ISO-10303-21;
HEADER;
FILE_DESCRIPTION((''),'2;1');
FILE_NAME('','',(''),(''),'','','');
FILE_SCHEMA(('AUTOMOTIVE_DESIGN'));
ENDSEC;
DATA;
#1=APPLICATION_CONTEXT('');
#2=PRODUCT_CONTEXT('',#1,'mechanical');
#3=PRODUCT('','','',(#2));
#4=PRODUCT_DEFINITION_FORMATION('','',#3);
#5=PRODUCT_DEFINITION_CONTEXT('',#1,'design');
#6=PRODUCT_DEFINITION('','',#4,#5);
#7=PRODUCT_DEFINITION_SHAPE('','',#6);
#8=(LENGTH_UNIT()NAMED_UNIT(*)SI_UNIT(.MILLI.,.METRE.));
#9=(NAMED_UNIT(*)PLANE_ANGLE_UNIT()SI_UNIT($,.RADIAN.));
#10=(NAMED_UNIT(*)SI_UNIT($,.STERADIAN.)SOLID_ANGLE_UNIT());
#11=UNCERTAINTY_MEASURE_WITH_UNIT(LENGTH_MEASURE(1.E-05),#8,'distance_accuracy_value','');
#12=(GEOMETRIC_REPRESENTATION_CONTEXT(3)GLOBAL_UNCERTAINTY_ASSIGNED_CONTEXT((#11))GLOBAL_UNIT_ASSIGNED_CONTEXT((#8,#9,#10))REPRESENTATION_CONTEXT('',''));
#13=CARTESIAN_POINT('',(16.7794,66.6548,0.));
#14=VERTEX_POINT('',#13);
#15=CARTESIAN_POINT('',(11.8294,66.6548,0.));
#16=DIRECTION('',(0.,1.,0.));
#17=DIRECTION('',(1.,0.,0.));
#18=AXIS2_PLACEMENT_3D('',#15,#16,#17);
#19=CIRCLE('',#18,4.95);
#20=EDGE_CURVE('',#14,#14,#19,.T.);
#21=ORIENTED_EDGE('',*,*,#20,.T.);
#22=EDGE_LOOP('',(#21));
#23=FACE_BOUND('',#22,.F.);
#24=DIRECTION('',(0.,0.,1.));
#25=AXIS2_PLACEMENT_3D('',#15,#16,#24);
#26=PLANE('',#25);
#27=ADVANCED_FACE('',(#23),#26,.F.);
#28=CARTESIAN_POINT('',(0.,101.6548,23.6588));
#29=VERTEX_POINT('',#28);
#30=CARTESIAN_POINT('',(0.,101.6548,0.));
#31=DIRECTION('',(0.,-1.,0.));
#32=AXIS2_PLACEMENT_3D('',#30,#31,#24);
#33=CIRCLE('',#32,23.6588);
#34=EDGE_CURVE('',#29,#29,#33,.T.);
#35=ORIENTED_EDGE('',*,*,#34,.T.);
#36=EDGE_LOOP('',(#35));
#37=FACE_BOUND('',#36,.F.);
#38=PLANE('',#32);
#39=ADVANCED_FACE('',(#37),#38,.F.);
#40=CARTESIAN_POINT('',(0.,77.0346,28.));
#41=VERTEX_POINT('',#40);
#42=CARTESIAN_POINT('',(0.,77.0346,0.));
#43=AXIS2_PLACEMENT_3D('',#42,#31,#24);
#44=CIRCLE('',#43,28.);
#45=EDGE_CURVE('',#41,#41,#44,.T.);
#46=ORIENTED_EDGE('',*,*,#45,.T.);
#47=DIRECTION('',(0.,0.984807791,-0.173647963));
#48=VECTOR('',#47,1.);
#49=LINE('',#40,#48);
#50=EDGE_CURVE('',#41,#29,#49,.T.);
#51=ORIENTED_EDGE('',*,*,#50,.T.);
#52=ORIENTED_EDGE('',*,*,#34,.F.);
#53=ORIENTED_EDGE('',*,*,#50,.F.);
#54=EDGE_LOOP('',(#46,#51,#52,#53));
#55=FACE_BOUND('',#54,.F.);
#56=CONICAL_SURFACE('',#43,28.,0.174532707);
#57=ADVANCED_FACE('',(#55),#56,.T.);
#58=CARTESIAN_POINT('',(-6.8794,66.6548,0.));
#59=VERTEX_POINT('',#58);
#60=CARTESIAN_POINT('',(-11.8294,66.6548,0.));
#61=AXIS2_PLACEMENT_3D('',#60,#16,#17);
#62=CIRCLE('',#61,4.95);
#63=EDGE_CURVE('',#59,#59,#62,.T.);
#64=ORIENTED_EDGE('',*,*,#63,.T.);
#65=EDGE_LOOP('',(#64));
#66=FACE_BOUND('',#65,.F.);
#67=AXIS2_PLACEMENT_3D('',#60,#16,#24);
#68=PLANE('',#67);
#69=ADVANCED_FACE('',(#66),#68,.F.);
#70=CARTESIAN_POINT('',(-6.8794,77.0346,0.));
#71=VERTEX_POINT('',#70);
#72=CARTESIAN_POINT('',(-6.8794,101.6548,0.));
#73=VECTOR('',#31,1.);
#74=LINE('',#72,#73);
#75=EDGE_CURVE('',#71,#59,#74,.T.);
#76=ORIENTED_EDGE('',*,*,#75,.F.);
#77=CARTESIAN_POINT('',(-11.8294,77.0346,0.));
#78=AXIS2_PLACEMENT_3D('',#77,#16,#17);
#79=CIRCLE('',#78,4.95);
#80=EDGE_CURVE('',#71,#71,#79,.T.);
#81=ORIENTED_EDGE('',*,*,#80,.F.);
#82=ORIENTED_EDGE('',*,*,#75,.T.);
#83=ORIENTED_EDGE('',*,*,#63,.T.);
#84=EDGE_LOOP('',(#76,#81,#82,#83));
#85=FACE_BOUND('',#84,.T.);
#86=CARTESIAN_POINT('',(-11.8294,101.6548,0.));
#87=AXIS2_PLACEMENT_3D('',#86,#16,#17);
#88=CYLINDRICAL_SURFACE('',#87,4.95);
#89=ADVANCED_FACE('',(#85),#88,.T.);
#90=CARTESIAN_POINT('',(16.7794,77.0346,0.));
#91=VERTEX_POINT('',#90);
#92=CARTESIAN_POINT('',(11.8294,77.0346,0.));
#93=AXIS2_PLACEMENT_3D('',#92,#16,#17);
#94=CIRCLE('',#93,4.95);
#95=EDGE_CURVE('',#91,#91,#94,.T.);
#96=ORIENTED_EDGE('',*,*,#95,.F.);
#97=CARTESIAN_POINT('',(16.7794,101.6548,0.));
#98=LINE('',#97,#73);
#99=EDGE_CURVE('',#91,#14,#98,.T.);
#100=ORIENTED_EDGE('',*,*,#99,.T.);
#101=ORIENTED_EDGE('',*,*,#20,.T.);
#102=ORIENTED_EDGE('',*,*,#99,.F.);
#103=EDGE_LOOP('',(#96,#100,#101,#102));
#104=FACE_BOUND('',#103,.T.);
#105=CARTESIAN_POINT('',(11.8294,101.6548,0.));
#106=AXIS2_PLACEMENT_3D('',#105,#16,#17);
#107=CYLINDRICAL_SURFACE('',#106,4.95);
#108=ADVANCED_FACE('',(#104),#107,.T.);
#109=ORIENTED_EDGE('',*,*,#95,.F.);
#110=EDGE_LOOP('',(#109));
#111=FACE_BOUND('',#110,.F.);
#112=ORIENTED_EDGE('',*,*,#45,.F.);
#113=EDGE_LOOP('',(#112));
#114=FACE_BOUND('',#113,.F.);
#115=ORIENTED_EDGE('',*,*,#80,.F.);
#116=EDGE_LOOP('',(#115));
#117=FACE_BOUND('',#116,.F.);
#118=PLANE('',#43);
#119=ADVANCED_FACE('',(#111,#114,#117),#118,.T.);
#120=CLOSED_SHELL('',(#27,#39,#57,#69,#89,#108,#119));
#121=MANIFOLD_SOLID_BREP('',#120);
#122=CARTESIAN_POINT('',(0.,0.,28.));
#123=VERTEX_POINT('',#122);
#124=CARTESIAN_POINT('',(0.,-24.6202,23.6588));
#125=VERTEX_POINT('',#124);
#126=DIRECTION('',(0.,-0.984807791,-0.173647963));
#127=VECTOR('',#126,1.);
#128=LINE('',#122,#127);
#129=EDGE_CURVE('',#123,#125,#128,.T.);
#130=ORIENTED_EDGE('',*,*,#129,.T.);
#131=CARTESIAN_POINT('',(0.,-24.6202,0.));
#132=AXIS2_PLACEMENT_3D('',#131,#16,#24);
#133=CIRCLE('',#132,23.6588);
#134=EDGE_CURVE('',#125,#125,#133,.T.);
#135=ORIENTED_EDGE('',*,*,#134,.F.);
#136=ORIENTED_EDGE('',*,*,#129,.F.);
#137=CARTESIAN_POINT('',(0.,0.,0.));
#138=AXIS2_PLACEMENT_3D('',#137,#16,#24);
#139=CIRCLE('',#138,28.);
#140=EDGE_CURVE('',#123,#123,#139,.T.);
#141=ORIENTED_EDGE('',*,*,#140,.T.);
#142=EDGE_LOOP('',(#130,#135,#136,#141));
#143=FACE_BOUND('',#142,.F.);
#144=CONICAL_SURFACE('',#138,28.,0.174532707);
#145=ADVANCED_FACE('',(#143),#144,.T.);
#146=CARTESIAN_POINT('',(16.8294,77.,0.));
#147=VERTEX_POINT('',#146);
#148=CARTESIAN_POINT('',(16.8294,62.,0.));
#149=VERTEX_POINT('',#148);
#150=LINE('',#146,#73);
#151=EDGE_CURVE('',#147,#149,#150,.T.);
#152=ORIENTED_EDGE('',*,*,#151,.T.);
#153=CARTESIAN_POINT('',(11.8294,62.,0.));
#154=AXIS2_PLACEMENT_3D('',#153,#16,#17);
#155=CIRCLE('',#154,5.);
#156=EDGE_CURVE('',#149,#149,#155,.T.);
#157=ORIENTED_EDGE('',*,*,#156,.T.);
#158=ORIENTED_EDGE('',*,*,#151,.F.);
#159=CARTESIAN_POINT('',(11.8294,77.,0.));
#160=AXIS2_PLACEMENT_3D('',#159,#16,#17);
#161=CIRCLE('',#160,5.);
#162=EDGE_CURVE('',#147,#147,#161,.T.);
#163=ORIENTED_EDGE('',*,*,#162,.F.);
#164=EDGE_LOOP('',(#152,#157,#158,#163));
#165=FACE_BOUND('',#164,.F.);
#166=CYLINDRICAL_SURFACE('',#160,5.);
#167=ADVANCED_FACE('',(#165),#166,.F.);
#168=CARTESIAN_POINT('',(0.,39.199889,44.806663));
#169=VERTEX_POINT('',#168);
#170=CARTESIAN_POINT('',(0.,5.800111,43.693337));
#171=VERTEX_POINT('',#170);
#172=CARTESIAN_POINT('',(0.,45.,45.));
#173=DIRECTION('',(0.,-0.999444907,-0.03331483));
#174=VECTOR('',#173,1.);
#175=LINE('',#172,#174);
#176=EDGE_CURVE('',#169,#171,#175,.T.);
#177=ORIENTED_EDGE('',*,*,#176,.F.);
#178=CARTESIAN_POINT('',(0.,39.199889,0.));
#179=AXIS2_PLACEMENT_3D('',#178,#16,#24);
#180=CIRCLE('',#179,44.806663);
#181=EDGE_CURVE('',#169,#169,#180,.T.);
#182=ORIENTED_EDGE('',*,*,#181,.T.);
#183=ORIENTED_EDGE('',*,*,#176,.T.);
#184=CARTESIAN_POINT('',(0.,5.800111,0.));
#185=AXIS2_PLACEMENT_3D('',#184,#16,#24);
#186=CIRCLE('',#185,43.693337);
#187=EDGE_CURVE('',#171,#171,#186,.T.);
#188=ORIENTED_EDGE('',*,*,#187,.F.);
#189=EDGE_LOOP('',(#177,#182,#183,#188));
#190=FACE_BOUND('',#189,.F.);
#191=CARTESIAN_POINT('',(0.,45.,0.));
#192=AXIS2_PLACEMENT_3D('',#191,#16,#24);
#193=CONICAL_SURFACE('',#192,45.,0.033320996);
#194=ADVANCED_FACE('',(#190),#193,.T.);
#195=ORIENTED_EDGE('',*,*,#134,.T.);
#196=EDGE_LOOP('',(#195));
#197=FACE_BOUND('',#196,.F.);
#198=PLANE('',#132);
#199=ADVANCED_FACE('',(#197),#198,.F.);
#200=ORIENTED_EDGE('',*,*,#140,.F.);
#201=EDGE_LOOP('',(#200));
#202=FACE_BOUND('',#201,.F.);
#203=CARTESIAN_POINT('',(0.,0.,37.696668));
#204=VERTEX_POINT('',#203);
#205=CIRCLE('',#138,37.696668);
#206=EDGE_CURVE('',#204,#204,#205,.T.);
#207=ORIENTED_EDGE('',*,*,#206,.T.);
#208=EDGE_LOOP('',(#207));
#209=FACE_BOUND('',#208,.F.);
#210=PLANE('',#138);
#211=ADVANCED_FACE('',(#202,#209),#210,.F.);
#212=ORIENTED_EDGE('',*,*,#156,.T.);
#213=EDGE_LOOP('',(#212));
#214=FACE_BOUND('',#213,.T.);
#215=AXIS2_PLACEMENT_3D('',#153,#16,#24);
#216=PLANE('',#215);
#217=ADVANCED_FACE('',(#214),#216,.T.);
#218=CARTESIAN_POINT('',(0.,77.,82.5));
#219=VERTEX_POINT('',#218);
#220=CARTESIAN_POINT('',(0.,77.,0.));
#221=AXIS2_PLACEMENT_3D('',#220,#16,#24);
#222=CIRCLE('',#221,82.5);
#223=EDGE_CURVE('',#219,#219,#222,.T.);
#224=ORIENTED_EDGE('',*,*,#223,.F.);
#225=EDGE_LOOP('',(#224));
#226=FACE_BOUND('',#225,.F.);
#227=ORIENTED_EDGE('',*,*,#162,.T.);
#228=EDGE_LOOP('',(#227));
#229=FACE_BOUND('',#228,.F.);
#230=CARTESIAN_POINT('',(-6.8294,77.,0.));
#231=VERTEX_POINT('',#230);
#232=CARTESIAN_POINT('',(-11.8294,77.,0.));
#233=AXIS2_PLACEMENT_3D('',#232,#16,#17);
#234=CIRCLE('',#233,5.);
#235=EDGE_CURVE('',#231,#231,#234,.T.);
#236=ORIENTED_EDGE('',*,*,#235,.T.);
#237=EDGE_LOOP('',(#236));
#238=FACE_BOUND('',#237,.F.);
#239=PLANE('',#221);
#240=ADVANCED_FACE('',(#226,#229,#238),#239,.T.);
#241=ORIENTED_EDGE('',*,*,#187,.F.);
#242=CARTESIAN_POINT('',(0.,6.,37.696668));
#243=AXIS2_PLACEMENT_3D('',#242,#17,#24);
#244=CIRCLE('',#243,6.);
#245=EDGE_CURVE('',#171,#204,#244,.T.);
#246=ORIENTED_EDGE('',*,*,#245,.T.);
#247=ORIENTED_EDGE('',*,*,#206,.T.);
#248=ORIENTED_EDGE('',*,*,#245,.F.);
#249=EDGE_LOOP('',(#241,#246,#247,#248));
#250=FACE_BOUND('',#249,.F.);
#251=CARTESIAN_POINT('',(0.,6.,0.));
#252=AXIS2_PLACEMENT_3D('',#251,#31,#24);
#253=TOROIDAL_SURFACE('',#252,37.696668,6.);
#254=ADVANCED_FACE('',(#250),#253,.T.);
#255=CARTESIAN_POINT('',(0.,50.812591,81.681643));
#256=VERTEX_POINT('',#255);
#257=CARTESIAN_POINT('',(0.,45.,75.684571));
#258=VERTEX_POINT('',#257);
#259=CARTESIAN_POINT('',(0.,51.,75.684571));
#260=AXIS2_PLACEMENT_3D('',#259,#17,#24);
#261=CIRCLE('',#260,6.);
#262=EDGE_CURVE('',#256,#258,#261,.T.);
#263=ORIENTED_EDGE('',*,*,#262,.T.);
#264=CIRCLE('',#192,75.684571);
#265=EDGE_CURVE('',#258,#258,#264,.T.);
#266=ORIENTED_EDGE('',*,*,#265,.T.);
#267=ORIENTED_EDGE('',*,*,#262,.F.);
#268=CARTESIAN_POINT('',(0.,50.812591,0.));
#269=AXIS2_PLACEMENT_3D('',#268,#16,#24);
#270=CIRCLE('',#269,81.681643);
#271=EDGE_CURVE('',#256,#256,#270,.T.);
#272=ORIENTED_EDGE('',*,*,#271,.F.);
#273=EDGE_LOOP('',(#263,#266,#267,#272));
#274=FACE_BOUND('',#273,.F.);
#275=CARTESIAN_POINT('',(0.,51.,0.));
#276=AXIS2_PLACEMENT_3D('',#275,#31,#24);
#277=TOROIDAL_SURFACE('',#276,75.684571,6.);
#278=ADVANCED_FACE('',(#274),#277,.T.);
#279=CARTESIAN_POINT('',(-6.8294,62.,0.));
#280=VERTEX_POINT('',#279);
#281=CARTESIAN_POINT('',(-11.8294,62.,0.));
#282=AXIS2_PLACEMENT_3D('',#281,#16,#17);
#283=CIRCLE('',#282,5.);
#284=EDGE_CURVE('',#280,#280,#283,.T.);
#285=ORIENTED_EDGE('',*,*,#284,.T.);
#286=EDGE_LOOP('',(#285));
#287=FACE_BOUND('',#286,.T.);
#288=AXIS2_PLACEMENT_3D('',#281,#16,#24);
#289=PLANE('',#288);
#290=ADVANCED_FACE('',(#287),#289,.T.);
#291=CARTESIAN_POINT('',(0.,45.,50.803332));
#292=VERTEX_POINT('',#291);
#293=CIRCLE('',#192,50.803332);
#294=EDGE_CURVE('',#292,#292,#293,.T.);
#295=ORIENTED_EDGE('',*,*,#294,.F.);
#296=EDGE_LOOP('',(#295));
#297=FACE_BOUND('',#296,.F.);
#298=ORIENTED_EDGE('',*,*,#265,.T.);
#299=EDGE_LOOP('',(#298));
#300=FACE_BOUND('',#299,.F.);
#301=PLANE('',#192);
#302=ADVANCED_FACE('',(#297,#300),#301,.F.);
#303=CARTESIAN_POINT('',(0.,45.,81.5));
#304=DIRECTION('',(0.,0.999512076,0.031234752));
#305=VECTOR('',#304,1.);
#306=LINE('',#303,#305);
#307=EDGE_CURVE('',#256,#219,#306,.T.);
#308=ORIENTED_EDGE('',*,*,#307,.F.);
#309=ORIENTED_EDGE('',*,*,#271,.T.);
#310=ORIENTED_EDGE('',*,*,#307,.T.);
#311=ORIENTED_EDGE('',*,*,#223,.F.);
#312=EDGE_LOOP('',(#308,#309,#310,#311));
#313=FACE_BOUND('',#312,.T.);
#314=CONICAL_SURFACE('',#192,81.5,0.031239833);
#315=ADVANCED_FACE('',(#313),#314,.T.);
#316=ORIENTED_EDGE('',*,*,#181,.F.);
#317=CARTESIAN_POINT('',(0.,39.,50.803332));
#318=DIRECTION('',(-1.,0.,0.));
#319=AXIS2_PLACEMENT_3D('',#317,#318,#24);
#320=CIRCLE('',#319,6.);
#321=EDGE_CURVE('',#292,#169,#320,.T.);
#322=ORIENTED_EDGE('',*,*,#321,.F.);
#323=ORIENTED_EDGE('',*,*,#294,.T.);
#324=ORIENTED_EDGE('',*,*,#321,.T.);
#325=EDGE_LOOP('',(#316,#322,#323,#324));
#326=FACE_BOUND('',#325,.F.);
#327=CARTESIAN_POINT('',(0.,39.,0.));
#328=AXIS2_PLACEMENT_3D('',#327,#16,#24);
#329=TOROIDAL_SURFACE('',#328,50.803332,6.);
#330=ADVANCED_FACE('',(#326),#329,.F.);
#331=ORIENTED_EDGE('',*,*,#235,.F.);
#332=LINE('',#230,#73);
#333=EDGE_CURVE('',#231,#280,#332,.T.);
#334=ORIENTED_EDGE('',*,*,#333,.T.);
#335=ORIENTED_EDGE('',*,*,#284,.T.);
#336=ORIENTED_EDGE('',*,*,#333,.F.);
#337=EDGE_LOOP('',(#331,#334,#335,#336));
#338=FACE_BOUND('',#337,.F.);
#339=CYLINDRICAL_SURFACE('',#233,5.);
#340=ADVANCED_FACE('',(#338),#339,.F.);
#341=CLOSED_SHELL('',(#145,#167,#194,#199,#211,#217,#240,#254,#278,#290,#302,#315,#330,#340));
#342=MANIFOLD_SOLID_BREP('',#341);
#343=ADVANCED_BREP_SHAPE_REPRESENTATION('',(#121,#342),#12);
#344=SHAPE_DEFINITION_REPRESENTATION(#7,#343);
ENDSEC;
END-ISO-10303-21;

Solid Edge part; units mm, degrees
sketch "Sketch1" plane through (0, 0, 0) normal (1, 0, 0) x (0, 1, 0)
  line L0 (77, 0) -> (77, 82.5)
  line L1 (45, 81.5) -> (77, 82.5)
  line L2 (45, 81.5) -> (45, 45)
  line L3 (45, 45) -> (0, 43.5)
  line L4 (0, 43.5) -> (0, 0)
  dimension "D1" = 43.5
  dimension "D2" = 77
  dimension "D3" = 82.5
  dimension "D4" = 32.0156
  dimension "D5" = 36.5
  dimension "D6" = 45.025
revolve "RevolvedProtrusion1" add sketch "Sketch1" angle 360 about axis through (0, 0, 0) along (0, 1, 0)
sketch "Sketch2" plane through (0, 0, 0) normal (-1, 0, 0) x (0, -1, 0)
  line L0 (0, 28) -> (24.6202, 23.6588)
  line L1 (24.6202, 23.6588) -> (24.6202, 0)
  line L2 (0, 28) -> (0, 0)
revolve "RevolvedProtrusion2" add sketch "Sketch2" angle 360 about axis through (0, -24.6202, 0) along (0, 1, 0)
sketch "Sketch3" plane through (0, 0, 0) normal (-1, 0, 0) x (0, -1, 0)
  line L0 (-77.0346, 0) -> (-77.0346, 28)
  line L1 (-77.0346, 28) -> (-101.6548, 23.6588)
  line L2 (-101.6548, 23.6588) -> (-101.6548, 0)
revolve "RevolvedProtrusion3" add sketch "Sketch3" angle 360 about axis through (0, 101.6548, 0) along (0, -1, 0)
sketch "Sketch4" plane through (0, 77, 0) normal (0, 1, 0) x (1, 0, 0)
  circle A0 centre (-11.8294, 0) radius 5
  circle A1 centre (11.8294, 0) radius 5
extrude "Fori_spine" cut sketch "Sketch4" against normal blind 15
fillet "Raccordi" radius 6 3 edges at (0, 0, 43.5) (0, 45, 45) (0, 45, 81.5)
sketch "Sketch5" plane through (0, 101.6548, 0) normal (0, 1, 0) x (1, 0, 0)
  circle A0 centre (-11.8294, 0) radius 4.95
  circle A1 centre (11.8294, 0) radius 4.95
extrude "Spine" add sketch "Sketch5" against normal blind 35
properties material "Acciaio"
